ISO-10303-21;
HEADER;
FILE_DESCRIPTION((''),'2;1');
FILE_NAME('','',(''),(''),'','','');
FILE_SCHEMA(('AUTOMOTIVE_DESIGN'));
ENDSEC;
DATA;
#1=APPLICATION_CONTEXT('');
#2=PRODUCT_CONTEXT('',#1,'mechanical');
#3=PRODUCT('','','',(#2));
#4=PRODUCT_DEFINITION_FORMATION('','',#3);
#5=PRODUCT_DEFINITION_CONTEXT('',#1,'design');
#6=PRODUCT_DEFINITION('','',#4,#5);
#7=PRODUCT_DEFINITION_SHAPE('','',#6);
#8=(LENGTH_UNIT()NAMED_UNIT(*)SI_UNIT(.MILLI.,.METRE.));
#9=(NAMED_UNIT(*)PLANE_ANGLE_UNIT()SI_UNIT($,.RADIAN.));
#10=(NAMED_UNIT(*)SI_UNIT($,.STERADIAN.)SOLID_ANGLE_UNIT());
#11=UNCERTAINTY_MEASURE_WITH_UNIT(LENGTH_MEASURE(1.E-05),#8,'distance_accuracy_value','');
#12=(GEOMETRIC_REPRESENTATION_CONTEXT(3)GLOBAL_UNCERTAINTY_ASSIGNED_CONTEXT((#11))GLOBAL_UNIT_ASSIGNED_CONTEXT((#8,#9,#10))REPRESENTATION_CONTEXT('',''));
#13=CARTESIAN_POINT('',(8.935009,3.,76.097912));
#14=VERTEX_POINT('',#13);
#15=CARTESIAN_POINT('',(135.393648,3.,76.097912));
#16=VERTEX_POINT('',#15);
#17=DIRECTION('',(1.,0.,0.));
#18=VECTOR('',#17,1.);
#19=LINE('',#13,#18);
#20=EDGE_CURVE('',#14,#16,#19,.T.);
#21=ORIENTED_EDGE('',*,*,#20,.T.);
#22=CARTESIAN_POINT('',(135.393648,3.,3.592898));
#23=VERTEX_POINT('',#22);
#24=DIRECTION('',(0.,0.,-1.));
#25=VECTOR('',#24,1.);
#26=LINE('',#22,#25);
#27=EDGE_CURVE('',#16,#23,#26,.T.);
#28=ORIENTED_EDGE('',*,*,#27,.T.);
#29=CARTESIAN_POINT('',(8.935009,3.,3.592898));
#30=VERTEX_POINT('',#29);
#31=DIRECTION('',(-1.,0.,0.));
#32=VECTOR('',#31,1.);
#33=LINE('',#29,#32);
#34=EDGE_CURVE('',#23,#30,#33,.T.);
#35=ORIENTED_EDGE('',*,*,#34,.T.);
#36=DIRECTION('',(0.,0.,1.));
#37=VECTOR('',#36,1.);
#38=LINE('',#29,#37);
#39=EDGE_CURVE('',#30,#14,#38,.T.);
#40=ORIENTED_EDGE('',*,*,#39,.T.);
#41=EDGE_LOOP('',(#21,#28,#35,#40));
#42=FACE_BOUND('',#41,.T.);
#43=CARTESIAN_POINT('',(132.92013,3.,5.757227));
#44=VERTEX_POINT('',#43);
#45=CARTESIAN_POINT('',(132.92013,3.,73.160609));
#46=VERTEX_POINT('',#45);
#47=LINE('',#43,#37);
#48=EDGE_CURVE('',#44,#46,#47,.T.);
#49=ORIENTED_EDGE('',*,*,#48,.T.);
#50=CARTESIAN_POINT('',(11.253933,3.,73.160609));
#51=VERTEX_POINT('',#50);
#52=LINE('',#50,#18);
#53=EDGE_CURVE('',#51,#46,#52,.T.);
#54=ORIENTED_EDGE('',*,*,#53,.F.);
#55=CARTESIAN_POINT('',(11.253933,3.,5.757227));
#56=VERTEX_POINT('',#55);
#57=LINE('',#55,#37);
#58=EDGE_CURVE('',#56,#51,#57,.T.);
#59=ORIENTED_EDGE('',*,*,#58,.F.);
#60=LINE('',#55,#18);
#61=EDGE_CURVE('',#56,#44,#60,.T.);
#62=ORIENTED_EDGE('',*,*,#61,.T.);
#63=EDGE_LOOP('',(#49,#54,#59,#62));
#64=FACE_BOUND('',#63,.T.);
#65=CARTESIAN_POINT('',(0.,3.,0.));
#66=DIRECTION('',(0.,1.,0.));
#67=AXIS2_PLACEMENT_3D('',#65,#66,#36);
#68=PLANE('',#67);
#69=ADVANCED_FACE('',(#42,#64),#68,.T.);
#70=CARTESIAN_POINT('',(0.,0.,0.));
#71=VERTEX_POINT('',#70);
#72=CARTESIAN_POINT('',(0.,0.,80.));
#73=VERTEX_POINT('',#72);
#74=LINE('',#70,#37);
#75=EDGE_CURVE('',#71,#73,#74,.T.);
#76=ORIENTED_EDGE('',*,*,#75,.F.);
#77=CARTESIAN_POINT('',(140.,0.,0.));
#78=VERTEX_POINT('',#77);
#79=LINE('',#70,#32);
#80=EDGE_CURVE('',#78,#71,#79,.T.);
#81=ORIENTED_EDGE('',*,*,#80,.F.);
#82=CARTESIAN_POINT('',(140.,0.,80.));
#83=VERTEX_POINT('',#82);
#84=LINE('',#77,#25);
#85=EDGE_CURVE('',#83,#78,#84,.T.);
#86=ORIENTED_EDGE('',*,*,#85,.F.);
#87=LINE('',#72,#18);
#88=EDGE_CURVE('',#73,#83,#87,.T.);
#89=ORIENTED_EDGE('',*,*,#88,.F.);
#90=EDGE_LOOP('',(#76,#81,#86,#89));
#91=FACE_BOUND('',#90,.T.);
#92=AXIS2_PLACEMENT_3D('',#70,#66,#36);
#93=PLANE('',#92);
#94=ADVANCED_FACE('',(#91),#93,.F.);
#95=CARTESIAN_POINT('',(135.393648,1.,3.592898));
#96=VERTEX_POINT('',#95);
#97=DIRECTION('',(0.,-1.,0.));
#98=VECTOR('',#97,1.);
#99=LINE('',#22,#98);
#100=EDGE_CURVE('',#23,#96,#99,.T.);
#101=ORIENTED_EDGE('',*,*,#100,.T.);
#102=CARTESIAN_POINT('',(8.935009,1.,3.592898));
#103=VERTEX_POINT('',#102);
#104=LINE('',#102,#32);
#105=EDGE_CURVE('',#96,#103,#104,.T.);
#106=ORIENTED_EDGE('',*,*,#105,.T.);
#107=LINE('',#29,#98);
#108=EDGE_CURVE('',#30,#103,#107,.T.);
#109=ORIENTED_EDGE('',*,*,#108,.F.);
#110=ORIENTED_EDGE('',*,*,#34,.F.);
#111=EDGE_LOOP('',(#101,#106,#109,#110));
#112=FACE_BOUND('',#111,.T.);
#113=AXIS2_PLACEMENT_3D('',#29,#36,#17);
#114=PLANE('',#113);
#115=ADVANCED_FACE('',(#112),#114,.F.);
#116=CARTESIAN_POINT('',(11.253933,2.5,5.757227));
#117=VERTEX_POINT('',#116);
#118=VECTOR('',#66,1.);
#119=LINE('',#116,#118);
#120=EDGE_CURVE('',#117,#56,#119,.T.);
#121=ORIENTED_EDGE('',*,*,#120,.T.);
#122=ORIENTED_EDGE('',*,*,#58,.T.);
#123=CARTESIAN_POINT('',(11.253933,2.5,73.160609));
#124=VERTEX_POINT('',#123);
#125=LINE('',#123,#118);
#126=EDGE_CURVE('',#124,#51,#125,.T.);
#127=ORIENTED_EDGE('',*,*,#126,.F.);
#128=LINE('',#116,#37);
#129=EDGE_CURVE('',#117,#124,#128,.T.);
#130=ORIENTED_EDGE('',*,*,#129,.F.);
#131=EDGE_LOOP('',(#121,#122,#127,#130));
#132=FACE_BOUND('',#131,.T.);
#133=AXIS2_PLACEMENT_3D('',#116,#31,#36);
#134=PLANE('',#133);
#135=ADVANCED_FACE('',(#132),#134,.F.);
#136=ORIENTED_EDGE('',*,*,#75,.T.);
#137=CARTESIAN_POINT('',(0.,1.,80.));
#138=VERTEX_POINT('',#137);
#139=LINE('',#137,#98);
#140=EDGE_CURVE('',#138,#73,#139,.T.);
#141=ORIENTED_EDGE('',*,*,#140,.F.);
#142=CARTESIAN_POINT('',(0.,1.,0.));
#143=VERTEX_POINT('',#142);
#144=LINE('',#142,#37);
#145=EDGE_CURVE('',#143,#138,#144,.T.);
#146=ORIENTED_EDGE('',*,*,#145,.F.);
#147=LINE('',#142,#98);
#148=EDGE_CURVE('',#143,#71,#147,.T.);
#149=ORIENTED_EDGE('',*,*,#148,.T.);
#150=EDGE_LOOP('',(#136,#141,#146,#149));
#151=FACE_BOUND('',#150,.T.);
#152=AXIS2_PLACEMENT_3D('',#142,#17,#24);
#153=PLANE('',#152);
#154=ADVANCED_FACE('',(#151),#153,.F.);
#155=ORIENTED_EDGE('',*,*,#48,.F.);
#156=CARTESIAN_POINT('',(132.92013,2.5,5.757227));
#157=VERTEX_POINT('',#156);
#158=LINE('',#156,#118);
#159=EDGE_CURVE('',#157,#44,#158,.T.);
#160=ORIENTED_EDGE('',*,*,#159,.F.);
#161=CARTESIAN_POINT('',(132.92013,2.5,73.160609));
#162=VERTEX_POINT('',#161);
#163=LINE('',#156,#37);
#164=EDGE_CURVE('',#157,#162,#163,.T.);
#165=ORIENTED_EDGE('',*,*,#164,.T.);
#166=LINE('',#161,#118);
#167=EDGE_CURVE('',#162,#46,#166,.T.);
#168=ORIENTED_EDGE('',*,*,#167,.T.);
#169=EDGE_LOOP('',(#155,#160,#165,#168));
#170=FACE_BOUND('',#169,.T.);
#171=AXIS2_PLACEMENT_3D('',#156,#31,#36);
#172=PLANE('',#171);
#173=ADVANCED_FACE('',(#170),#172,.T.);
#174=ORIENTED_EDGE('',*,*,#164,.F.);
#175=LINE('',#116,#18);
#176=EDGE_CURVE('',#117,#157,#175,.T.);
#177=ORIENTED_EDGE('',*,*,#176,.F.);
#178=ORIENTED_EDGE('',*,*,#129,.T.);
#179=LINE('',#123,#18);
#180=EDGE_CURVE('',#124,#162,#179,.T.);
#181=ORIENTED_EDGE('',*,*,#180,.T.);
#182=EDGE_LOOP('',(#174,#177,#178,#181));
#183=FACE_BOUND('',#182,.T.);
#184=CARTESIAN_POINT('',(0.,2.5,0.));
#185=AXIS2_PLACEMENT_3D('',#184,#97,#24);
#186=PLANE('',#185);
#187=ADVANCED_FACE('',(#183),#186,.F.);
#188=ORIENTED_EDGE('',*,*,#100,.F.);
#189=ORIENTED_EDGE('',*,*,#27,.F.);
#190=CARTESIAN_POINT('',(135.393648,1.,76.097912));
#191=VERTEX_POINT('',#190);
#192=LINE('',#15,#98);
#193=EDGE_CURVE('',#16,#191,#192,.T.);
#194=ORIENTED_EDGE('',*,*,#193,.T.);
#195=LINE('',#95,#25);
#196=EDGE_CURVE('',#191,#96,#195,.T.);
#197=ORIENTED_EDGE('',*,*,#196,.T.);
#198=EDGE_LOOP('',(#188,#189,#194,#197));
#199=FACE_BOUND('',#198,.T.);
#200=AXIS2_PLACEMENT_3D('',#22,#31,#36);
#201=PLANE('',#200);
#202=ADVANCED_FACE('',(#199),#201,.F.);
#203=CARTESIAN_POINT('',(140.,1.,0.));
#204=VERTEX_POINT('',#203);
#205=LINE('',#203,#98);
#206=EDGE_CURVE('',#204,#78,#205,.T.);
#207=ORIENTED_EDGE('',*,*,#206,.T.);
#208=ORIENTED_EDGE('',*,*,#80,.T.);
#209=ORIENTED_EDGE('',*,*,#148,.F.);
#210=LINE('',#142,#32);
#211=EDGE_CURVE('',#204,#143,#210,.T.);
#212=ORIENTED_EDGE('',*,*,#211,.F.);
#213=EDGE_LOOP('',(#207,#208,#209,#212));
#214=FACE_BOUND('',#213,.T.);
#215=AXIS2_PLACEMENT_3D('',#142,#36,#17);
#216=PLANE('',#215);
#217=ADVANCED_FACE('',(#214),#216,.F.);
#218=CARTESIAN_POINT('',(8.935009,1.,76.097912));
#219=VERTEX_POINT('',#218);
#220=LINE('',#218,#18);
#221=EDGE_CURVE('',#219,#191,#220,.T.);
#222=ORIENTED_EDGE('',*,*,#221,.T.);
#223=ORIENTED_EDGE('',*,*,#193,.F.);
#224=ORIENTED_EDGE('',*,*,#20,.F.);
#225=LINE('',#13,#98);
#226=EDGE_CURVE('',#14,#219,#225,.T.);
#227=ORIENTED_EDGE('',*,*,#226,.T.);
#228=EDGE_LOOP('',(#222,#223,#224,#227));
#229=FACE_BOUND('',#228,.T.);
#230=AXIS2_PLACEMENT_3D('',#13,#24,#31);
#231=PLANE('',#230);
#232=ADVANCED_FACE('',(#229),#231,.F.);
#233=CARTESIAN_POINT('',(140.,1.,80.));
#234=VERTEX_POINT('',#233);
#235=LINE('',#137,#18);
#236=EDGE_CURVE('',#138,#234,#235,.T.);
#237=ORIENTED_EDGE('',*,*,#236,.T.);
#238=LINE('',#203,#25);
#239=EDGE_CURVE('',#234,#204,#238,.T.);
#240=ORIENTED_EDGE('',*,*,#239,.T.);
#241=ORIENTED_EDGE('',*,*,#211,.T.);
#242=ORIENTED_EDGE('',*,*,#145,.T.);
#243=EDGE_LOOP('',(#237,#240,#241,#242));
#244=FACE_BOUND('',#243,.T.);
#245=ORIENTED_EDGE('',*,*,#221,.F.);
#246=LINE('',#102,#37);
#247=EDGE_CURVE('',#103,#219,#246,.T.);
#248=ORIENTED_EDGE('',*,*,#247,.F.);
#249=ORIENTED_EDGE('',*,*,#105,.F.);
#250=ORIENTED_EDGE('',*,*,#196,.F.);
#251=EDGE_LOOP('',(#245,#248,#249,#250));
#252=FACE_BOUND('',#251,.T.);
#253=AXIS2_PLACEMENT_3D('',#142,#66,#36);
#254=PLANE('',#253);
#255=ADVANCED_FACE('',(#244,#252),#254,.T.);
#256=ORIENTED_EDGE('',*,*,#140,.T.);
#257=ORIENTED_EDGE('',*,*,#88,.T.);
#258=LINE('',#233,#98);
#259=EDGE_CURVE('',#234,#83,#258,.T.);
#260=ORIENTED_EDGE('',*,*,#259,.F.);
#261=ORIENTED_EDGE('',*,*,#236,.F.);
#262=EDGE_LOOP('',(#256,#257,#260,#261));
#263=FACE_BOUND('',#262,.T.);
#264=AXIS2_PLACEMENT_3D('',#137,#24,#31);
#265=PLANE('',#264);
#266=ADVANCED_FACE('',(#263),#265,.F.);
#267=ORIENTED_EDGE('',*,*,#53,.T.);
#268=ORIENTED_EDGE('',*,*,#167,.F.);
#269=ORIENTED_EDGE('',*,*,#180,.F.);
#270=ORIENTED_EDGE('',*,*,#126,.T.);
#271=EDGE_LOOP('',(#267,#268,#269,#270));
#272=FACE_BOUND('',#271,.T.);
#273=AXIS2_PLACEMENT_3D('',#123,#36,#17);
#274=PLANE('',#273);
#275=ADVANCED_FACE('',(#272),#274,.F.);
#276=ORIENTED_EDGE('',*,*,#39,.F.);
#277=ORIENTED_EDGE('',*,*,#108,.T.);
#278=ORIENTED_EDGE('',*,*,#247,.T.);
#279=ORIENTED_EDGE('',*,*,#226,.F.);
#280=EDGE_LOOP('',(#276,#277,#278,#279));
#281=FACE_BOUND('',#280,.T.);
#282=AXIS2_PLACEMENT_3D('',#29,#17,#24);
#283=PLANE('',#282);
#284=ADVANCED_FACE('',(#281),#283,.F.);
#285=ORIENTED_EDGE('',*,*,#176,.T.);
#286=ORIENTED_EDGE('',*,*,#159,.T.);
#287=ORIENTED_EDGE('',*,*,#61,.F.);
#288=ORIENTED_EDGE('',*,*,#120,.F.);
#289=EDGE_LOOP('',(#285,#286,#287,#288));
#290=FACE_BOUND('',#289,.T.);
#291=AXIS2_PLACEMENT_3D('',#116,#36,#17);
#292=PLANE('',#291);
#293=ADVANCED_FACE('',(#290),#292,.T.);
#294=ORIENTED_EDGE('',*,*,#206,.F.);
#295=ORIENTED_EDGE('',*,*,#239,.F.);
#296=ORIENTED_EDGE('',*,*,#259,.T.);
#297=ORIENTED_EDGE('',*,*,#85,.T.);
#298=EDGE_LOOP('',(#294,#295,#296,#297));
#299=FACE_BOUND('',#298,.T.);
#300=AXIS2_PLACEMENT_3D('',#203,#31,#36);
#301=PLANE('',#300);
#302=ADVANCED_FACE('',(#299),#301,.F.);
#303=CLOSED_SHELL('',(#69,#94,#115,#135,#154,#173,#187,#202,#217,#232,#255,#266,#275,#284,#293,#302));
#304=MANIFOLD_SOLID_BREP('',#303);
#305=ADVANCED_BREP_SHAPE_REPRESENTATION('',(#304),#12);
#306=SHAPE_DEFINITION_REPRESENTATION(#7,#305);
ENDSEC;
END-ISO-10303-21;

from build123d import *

# Parameters (mm, degrees)
SKETCH_1_W          = 140
SKETCH_1_H          = 80
EXTRUDE_1_DEPTH     = 1
SKETCH_2_W          = 126.458639074
SKETCH_2_H          = 72.505014335
EXTRUDE_2_DEPTH     = 2
SKETCH_3_W          = 121.666196763
SKETCH_3_H          = 67.403382197
CUT_EXTRUDE_1_DEPTH = 0.5


with BuildPart() as part:
    # 草图1 → 凸台-拉伸1 (new body)
    with BuildSketch(Plane(origin=(0, 0, 0), x_dir=(1, 0, 0), z_dir=(0, 1, 0))):
        with Locations((70, -40)):
            Rectangle(SKETCH_1_W, SKETCH_1_H)
    extrude(amount=EXTRUDE_1_DEPTH)

    # 草图2 → 凸台-拉伸2 (add)
    with BuildSketch(Plane(origin=(0, 1, 0), x_dir=(1, 0, 0), z_dir=(0, 1, 0))):
        with Locations((72.164328786, -39.845405087)):
            Rectangle(SKETCH_2_W, SKETCH_2_H)
    extrude(amount=EXTRUDE_2_DEPTH)

    # 草图3 → 切除-拉伸1 (cut)
    with BuildSketch(Plane(origin=(0, 3, 0), x_dir=(1, 0, 0), z_dir=(0, 1, 0))):
        with Locations((72.08703133, -39.458917804)):
            Rectangle(SKETCH_3_W, SKETCH_3_H)
    extrude(amount=-CUT_EXTRUDE_1_DEPTH, mode=Mode.SUBTRACT)


solid = part.part
